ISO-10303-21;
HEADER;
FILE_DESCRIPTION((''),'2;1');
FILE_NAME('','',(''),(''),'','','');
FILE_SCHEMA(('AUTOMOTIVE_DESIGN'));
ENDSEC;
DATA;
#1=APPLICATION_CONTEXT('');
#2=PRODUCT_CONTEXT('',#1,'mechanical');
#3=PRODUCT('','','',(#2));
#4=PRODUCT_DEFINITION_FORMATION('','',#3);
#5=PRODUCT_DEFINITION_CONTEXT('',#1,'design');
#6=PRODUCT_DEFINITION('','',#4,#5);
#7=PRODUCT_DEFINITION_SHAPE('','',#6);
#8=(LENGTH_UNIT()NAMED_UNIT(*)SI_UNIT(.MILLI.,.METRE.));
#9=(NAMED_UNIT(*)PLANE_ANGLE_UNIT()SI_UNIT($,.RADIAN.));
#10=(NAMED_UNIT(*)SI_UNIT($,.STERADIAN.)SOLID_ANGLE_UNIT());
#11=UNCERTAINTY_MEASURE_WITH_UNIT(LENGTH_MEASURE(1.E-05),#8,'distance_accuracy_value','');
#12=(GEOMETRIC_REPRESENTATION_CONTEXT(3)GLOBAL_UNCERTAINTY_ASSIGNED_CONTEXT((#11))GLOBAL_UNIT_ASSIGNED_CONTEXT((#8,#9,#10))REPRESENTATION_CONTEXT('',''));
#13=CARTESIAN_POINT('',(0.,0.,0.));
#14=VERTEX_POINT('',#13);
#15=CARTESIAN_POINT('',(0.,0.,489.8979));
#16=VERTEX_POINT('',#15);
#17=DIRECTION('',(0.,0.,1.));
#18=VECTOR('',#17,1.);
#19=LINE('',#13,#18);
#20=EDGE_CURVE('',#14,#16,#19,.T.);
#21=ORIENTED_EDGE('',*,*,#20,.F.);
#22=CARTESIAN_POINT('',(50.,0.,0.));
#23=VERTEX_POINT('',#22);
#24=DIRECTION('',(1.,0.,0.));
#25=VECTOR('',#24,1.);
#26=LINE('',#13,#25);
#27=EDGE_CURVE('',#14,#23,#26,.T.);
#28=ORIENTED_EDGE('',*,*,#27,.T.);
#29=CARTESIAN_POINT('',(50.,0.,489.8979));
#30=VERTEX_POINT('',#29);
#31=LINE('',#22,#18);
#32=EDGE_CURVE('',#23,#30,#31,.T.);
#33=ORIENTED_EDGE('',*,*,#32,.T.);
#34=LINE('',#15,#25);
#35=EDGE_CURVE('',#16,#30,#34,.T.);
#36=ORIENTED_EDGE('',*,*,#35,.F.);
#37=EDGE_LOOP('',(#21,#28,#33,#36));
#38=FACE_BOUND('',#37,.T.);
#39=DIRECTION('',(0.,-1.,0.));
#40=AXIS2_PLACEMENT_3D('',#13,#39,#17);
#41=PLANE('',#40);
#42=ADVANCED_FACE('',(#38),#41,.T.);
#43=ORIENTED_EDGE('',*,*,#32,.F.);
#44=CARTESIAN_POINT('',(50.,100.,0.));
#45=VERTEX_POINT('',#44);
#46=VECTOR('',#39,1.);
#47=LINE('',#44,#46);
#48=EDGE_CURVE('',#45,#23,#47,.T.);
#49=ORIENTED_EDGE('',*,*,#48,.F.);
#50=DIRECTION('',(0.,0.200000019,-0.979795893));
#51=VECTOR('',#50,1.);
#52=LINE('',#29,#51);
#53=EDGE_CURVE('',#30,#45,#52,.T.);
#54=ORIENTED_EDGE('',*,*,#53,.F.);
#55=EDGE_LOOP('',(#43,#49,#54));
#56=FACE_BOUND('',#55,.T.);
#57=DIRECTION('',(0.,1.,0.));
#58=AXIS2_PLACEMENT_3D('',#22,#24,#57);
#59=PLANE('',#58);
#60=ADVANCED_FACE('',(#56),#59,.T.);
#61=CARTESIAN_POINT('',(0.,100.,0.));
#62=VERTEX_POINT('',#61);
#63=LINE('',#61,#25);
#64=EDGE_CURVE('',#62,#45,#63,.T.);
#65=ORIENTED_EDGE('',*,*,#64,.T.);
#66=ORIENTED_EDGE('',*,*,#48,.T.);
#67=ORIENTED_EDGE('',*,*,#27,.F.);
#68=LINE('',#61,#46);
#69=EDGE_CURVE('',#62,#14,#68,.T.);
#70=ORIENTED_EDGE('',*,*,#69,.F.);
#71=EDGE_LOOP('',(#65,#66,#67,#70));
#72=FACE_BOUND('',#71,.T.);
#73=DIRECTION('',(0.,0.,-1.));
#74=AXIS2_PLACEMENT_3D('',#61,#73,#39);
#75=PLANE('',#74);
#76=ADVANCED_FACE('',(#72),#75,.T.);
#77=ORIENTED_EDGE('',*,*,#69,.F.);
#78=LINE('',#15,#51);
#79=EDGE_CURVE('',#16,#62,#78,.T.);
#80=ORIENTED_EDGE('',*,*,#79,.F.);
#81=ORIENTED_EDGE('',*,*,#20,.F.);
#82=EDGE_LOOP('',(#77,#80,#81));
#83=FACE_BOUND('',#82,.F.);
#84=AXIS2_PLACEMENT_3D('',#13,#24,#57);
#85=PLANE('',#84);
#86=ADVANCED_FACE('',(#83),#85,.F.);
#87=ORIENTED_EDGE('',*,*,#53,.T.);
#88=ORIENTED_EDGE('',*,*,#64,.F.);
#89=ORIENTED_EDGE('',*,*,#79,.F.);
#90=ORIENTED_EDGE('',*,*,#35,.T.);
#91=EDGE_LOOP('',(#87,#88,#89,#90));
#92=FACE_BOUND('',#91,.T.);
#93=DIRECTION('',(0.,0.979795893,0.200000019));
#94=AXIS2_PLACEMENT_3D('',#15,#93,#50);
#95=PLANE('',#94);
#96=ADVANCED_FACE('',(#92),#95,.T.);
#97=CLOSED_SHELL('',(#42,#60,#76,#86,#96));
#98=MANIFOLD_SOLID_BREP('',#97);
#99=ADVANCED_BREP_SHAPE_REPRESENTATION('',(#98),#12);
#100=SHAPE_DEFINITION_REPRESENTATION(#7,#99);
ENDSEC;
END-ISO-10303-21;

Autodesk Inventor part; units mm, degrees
ref_plane "YZ Plane" through (0, 0, 0) normal (1, 0, 0) x (0, 1, 0)
ref_plane "XZ Plane" through (0, 0, 0) normal (0, 1, 0) x (-1, 0, 0)
ref_plane "XY Plane" through (0, 0, 0) normal (0, 0, 1) x (1, 0, 0)
sketch "Sketch2" plane through (0, 0, 0) normal (1, 0, 0) x (0, 1, 0)
  line L0 (0, 0) -> (0, 489.8979)
  line L1 (0, 489.8979) -> (100, 0)
  line L2 (100, 0) -> (0, 0)
  dimension "d0" = 500
  dimension "d2" = 100
extrude "Extrusion1" add sketch "Sketch2" along normal blind 50
properties part number "boardBaseWedge" material "Wood (Birch)"
